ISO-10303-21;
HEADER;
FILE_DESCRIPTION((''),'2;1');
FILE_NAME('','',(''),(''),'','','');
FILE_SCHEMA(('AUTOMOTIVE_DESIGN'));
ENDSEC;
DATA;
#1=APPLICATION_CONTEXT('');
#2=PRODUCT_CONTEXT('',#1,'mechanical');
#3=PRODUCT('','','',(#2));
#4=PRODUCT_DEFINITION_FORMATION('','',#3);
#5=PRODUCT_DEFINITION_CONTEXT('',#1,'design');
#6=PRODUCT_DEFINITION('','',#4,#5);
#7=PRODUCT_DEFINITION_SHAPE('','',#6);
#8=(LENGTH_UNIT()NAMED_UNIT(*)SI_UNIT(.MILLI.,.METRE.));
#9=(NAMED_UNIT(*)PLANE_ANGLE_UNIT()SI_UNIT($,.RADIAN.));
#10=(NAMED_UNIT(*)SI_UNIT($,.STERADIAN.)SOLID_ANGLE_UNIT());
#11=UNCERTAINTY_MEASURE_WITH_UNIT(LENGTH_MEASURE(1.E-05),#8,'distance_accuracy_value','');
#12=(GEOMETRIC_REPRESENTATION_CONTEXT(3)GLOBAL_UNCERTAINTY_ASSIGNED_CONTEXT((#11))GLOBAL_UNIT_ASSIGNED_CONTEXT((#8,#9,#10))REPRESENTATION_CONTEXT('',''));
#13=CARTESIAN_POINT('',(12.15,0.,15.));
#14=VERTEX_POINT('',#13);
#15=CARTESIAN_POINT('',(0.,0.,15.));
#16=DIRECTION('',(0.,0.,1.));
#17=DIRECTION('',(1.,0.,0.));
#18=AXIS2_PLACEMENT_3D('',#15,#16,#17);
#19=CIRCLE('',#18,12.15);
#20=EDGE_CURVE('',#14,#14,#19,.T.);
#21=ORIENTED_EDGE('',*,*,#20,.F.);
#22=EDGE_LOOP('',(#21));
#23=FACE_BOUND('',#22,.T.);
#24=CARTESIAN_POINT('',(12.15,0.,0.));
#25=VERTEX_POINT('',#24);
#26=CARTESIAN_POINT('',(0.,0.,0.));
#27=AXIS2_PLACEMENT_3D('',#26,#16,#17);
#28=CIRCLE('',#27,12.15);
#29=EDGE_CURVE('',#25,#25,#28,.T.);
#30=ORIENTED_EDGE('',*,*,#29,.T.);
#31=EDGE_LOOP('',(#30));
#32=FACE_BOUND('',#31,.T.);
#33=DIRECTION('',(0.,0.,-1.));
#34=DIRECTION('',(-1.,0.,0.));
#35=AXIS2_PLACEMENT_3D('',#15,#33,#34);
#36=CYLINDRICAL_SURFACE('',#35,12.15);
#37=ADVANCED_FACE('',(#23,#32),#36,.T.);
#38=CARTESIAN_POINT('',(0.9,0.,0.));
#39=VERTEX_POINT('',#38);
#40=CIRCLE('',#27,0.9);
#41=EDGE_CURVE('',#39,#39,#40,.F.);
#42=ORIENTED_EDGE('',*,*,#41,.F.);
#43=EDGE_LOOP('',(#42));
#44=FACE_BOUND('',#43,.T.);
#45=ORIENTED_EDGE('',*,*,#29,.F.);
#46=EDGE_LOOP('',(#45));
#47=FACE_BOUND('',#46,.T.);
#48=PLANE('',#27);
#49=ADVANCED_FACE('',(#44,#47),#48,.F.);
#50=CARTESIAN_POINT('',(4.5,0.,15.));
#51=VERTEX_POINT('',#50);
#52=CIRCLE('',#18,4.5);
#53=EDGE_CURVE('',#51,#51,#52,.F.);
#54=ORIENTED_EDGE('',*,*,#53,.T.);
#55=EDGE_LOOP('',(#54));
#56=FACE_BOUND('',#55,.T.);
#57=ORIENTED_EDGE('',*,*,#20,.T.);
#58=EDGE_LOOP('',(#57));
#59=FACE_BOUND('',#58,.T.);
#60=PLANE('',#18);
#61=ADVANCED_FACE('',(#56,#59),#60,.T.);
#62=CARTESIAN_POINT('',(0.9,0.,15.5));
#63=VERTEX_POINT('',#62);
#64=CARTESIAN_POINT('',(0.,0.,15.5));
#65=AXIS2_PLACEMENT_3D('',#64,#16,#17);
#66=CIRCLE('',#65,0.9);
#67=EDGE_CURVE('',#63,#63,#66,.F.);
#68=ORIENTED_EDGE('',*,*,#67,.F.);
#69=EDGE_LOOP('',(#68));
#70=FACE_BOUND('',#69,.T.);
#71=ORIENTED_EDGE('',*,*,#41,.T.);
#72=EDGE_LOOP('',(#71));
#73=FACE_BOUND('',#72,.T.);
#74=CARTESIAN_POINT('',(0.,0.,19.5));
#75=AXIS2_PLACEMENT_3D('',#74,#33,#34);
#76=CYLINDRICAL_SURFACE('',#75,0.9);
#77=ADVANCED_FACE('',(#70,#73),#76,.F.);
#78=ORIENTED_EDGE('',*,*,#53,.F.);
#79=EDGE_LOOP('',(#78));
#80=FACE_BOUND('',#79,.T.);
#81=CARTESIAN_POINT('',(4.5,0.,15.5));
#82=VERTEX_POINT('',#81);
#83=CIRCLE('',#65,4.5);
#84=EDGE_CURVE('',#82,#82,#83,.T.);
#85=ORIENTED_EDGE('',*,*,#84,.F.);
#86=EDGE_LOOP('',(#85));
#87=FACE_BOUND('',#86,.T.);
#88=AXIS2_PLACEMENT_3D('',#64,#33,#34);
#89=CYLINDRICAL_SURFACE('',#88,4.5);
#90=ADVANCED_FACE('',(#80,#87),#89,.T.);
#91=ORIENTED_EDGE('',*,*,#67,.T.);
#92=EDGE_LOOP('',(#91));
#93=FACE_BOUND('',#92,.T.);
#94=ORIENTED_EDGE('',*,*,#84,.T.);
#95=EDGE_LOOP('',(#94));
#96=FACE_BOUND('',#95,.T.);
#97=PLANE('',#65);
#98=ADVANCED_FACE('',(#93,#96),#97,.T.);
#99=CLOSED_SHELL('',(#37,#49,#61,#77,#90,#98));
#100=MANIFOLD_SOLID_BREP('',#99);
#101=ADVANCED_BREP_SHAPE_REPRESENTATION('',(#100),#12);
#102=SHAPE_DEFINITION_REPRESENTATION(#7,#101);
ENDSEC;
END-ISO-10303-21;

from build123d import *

# Parameters (mm, degrees)
ESBO_O1_R                  = 12.15
RESSALTO_EXTRUS_O1_DEPTH   = 15
ESBO_O2_R                  = 4.5
RESSALTO_EXTRUS_O2_DEPTH   = 15.5
ESBO_O3_R                  = 0.9
CORTE_EXTRUS_O1_DEPTH      = 19.5
CORTE_EXTRUS_O1_DEPTH_BACK = 15.5


with BuildPart() as part:
    # Esboço1 → Ressalto-extrusão1 (new body)
    with BuildSketch(Plane.XY):
        Circle(ESBO_O1_R)
    extrude(amount=RESSALTO_EXTRUS_O1_DEPTH)

    # Esboço2 → Ressalto-extrusão2 (add)
    with BuildSketch(Plane.XY):
        Circle(ESBO_O2_R)
    extrude(amount=RESSALTO_EXTRUS_O2_DEPTH)

    # Esboço3 → Corte-extrusão1 (cut, two sides)
    with BuildSketch(Plane.XY) as corte_extrus_o1_sk:
        Circle(ESBO_O3_R)
    extrude(amount=CORTE_EXTRUS_O1_DEPTH, mode=Mode.SUBTRACT)
    extrude(corte_extrus_o1_sk.sketch, amount=-CORTE_EXTRUS_O1_DEPTH_BACK, mode=Mode.SUBTRACT)


solid = part.part
